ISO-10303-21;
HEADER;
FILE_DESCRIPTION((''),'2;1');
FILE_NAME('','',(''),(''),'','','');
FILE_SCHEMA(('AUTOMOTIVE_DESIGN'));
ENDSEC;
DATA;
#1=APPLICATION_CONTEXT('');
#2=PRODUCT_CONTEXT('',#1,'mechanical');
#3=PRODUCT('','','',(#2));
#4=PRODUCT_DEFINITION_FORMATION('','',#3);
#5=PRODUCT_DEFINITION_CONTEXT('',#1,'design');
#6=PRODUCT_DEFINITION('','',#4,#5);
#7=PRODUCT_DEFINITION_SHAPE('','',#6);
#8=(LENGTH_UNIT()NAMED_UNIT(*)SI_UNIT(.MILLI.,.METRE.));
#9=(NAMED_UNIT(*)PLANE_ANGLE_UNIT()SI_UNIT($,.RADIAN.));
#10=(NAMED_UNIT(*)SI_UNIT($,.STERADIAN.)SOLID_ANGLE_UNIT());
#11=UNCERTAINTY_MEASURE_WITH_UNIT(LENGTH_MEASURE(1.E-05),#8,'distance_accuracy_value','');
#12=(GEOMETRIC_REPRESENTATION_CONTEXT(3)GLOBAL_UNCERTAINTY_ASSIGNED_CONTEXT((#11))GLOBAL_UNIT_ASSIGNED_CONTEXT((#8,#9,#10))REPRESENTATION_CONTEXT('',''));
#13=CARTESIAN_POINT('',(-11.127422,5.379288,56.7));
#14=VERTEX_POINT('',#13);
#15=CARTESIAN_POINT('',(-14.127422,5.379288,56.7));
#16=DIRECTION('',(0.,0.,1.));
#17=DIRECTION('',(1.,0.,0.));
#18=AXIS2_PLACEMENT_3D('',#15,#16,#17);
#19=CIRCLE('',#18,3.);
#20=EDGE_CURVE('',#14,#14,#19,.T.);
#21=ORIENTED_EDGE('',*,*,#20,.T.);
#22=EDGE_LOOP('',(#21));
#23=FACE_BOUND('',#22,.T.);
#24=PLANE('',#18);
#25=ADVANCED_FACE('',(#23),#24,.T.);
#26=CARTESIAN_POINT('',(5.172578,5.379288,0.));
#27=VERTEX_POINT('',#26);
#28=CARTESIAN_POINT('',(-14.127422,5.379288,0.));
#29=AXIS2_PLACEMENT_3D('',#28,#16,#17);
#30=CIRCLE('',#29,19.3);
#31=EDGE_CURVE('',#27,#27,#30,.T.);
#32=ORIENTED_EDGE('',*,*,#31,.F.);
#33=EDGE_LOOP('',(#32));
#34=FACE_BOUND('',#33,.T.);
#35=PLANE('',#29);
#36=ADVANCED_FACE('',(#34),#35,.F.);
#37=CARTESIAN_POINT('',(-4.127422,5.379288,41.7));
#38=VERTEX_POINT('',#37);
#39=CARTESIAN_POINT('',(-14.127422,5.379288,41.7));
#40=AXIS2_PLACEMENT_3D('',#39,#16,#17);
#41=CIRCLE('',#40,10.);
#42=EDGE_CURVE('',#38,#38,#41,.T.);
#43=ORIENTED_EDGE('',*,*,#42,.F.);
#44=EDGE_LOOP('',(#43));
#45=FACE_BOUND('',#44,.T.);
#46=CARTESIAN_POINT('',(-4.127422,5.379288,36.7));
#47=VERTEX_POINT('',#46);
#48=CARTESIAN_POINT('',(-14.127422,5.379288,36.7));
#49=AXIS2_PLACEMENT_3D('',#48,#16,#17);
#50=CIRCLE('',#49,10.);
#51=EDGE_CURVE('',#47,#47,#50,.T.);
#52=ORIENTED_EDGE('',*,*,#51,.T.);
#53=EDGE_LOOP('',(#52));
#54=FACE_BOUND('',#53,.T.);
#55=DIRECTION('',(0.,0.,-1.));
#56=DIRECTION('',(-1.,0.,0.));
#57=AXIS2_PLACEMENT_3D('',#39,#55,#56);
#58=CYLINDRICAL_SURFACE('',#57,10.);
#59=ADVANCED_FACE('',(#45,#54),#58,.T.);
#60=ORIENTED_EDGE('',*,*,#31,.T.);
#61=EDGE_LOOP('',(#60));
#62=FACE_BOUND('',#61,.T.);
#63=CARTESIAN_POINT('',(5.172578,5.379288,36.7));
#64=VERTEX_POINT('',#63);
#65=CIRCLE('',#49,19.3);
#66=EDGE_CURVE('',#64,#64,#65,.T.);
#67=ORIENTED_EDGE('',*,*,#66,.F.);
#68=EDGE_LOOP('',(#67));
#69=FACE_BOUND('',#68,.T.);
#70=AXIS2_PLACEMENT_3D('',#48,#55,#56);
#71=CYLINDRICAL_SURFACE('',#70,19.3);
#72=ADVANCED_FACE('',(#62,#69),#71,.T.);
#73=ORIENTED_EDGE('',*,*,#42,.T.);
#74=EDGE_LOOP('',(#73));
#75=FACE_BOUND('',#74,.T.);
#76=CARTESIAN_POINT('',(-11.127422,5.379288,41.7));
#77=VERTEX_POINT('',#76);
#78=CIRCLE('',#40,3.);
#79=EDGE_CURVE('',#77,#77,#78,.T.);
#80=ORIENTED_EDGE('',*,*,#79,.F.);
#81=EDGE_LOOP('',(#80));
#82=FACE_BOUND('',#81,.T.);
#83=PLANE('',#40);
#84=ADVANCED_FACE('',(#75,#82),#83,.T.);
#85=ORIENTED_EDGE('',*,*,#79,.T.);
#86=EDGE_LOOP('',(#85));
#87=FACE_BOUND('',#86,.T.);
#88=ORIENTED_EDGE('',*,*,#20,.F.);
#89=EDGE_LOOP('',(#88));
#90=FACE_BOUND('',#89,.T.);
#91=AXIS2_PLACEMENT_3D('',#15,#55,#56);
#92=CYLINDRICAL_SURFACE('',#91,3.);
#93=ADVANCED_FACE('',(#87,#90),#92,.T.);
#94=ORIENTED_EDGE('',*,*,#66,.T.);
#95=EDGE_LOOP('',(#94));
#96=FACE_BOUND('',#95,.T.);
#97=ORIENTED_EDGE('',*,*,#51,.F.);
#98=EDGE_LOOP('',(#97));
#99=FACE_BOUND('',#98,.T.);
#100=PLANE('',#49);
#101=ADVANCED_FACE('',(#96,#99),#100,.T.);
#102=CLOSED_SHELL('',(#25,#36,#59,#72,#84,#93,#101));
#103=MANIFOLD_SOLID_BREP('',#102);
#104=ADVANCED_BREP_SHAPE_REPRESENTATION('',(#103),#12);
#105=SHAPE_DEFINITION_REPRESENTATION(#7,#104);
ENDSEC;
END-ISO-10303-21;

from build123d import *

# Parameters (mm, degrees)
SKETCH1_R           = 19.3
BOSS_EXTRUDE1_DEPTH = 36.7
SKETCH3_R           = 10
BOSS_EXTRUDE2_DEPTH = 5
SKETCH4_R           = 3
BOSS_EXTRUDE3_DEPTH = 15


with BuildPart() as part:
    # Sketch1 → Boss-Extrude1 (new body)
    with BuildSketch(Plane.XY):
        with Locations((-14.127422454, 5.37928778)):
            Circle(SKETCH1_R)
    extrude(amount=BOSS_EXTRUDE1_DEPTH)

    # Sketch3 → Boss-Extrude2 (add)
    with BuildSketch(Plane.XY.offset(36.7)):
        with Locations((-14.127422454, 5.37928778)):
            Circle(SKETCH3_R)
    extrude(amount=BOSS_EXTRUDE2_DEPTH)

    # Sketch4 → Boss-Extrude3 (add)
    with BuildSketch(Plane.XY.offset(41.7)):
        with Locations((-14.127422454, 5.37928778)):
            Circle(SKETCH4_R)
    extrude(amount=BOSS_EXTRUDE3_DEPTH)


solid = part.part
